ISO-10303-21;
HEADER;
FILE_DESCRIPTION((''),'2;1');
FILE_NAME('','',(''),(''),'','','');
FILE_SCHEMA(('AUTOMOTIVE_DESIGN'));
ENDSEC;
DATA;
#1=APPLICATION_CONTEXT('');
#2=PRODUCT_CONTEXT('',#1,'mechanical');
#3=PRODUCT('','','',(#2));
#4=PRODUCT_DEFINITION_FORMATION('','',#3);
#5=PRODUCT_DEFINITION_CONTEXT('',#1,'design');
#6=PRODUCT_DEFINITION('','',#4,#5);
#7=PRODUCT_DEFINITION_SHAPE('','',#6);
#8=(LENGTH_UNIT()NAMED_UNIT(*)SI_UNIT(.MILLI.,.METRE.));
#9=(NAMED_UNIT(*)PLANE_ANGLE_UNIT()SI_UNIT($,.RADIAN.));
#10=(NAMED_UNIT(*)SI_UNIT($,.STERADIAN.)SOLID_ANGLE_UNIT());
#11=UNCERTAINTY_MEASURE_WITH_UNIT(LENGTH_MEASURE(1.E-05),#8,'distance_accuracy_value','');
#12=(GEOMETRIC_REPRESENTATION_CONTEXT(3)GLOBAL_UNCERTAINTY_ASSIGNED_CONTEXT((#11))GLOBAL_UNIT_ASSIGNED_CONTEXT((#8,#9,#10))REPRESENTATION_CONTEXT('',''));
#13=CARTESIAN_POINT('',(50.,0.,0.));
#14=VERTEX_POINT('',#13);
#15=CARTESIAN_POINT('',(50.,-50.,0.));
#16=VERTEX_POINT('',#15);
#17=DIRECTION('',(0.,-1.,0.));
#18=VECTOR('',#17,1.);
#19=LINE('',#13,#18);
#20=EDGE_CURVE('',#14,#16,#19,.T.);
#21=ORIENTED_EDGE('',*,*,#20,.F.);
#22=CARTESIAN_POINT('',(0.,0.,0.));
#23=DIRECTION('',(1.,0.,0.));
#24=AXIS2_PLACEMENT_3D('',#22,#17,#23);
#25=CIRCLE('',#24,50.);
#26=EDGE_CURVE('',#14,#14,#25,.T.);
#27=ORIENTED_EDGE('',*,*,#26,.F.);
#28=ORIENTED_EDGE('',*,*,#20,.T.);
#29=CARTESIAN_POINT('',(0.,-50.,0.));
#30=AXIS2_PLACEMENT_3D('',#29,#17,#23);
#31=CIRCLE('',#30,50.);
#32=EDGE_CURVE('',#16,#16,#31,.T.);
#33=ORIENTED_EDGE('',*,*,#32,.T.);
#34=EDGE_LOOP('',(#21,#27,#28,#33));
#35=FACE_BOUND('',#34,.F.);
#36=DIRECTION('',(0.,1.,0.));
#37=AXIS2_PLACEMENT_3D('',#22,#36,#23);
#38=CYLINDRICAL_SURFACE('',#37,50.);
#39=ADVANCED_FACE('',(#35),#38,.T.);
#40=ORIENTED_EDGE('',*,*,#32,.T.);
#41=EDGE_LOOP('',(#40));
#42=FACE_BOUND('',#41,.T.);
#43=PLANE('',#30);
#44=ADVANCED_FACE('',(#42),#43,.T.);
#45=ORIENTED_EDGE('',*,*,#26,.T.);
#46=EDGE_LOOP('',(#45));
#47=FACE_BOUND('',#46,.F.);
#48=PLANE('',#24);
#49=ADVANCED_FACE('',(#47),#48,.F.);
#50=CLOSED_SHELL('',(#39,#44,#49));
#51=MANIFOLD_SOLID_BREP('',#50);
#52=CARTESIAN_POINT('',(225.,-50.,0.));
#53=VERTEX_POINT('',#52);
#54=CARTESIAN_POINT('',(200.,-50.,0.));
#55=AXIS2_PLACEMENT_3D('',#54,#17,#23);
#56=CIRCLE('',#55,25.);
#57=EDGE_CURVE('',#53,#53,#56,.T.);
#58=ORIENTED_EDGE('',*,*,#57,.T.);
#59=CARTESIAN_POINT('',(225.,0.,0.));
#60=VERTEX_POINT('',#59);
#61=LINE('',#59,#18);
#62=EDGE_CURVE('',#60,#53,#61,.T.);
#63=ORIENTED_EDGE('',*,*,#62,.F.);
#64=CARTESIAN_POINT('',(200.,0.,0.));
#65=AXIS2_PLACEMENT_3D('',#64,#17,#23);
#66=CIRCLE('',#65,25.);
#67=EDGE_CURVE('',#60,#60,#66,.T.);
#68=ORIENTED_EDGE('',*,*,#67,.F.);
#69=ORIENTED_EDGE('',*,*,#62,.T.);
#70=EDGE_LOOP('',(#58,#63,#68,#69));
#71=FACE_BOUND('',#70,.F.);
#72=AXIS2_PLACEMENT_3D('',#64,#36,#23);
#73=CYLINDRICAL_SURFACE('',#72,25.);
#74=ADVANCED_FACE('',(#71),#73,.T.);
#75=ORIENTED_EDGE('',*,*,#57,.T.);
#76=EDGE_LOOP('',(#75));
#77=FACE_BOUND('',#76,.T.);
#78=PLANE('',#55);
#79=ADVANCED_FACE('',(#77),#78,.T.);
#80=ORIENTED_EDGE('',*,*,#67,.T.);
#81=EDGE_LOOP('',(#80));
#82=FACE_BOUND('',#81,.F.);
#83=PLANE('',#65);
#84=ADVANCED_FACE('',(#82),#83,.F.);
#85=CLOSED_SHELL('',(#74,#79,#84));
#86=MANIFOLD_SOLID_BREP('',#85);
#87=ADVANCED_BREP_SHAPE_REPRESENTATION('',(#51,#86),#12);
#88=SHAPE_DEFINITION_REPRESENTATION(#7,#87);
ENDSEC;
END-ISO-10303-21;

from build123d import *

# Parameters (mm, degrees)
F0_R     = 50
F0_R_2   = 25
F1_DEPTH = 50


with BuildPart() as f1:
    # F0 (on Front) → F1 (new body)
    with BuildSketch(Plane.XZ):
        Circle(F0_R)
        with Locations((200, 0)):
            Circle(F0_R_2)
    extrude(amount=F1_DEPTH)


solid = f1.part
